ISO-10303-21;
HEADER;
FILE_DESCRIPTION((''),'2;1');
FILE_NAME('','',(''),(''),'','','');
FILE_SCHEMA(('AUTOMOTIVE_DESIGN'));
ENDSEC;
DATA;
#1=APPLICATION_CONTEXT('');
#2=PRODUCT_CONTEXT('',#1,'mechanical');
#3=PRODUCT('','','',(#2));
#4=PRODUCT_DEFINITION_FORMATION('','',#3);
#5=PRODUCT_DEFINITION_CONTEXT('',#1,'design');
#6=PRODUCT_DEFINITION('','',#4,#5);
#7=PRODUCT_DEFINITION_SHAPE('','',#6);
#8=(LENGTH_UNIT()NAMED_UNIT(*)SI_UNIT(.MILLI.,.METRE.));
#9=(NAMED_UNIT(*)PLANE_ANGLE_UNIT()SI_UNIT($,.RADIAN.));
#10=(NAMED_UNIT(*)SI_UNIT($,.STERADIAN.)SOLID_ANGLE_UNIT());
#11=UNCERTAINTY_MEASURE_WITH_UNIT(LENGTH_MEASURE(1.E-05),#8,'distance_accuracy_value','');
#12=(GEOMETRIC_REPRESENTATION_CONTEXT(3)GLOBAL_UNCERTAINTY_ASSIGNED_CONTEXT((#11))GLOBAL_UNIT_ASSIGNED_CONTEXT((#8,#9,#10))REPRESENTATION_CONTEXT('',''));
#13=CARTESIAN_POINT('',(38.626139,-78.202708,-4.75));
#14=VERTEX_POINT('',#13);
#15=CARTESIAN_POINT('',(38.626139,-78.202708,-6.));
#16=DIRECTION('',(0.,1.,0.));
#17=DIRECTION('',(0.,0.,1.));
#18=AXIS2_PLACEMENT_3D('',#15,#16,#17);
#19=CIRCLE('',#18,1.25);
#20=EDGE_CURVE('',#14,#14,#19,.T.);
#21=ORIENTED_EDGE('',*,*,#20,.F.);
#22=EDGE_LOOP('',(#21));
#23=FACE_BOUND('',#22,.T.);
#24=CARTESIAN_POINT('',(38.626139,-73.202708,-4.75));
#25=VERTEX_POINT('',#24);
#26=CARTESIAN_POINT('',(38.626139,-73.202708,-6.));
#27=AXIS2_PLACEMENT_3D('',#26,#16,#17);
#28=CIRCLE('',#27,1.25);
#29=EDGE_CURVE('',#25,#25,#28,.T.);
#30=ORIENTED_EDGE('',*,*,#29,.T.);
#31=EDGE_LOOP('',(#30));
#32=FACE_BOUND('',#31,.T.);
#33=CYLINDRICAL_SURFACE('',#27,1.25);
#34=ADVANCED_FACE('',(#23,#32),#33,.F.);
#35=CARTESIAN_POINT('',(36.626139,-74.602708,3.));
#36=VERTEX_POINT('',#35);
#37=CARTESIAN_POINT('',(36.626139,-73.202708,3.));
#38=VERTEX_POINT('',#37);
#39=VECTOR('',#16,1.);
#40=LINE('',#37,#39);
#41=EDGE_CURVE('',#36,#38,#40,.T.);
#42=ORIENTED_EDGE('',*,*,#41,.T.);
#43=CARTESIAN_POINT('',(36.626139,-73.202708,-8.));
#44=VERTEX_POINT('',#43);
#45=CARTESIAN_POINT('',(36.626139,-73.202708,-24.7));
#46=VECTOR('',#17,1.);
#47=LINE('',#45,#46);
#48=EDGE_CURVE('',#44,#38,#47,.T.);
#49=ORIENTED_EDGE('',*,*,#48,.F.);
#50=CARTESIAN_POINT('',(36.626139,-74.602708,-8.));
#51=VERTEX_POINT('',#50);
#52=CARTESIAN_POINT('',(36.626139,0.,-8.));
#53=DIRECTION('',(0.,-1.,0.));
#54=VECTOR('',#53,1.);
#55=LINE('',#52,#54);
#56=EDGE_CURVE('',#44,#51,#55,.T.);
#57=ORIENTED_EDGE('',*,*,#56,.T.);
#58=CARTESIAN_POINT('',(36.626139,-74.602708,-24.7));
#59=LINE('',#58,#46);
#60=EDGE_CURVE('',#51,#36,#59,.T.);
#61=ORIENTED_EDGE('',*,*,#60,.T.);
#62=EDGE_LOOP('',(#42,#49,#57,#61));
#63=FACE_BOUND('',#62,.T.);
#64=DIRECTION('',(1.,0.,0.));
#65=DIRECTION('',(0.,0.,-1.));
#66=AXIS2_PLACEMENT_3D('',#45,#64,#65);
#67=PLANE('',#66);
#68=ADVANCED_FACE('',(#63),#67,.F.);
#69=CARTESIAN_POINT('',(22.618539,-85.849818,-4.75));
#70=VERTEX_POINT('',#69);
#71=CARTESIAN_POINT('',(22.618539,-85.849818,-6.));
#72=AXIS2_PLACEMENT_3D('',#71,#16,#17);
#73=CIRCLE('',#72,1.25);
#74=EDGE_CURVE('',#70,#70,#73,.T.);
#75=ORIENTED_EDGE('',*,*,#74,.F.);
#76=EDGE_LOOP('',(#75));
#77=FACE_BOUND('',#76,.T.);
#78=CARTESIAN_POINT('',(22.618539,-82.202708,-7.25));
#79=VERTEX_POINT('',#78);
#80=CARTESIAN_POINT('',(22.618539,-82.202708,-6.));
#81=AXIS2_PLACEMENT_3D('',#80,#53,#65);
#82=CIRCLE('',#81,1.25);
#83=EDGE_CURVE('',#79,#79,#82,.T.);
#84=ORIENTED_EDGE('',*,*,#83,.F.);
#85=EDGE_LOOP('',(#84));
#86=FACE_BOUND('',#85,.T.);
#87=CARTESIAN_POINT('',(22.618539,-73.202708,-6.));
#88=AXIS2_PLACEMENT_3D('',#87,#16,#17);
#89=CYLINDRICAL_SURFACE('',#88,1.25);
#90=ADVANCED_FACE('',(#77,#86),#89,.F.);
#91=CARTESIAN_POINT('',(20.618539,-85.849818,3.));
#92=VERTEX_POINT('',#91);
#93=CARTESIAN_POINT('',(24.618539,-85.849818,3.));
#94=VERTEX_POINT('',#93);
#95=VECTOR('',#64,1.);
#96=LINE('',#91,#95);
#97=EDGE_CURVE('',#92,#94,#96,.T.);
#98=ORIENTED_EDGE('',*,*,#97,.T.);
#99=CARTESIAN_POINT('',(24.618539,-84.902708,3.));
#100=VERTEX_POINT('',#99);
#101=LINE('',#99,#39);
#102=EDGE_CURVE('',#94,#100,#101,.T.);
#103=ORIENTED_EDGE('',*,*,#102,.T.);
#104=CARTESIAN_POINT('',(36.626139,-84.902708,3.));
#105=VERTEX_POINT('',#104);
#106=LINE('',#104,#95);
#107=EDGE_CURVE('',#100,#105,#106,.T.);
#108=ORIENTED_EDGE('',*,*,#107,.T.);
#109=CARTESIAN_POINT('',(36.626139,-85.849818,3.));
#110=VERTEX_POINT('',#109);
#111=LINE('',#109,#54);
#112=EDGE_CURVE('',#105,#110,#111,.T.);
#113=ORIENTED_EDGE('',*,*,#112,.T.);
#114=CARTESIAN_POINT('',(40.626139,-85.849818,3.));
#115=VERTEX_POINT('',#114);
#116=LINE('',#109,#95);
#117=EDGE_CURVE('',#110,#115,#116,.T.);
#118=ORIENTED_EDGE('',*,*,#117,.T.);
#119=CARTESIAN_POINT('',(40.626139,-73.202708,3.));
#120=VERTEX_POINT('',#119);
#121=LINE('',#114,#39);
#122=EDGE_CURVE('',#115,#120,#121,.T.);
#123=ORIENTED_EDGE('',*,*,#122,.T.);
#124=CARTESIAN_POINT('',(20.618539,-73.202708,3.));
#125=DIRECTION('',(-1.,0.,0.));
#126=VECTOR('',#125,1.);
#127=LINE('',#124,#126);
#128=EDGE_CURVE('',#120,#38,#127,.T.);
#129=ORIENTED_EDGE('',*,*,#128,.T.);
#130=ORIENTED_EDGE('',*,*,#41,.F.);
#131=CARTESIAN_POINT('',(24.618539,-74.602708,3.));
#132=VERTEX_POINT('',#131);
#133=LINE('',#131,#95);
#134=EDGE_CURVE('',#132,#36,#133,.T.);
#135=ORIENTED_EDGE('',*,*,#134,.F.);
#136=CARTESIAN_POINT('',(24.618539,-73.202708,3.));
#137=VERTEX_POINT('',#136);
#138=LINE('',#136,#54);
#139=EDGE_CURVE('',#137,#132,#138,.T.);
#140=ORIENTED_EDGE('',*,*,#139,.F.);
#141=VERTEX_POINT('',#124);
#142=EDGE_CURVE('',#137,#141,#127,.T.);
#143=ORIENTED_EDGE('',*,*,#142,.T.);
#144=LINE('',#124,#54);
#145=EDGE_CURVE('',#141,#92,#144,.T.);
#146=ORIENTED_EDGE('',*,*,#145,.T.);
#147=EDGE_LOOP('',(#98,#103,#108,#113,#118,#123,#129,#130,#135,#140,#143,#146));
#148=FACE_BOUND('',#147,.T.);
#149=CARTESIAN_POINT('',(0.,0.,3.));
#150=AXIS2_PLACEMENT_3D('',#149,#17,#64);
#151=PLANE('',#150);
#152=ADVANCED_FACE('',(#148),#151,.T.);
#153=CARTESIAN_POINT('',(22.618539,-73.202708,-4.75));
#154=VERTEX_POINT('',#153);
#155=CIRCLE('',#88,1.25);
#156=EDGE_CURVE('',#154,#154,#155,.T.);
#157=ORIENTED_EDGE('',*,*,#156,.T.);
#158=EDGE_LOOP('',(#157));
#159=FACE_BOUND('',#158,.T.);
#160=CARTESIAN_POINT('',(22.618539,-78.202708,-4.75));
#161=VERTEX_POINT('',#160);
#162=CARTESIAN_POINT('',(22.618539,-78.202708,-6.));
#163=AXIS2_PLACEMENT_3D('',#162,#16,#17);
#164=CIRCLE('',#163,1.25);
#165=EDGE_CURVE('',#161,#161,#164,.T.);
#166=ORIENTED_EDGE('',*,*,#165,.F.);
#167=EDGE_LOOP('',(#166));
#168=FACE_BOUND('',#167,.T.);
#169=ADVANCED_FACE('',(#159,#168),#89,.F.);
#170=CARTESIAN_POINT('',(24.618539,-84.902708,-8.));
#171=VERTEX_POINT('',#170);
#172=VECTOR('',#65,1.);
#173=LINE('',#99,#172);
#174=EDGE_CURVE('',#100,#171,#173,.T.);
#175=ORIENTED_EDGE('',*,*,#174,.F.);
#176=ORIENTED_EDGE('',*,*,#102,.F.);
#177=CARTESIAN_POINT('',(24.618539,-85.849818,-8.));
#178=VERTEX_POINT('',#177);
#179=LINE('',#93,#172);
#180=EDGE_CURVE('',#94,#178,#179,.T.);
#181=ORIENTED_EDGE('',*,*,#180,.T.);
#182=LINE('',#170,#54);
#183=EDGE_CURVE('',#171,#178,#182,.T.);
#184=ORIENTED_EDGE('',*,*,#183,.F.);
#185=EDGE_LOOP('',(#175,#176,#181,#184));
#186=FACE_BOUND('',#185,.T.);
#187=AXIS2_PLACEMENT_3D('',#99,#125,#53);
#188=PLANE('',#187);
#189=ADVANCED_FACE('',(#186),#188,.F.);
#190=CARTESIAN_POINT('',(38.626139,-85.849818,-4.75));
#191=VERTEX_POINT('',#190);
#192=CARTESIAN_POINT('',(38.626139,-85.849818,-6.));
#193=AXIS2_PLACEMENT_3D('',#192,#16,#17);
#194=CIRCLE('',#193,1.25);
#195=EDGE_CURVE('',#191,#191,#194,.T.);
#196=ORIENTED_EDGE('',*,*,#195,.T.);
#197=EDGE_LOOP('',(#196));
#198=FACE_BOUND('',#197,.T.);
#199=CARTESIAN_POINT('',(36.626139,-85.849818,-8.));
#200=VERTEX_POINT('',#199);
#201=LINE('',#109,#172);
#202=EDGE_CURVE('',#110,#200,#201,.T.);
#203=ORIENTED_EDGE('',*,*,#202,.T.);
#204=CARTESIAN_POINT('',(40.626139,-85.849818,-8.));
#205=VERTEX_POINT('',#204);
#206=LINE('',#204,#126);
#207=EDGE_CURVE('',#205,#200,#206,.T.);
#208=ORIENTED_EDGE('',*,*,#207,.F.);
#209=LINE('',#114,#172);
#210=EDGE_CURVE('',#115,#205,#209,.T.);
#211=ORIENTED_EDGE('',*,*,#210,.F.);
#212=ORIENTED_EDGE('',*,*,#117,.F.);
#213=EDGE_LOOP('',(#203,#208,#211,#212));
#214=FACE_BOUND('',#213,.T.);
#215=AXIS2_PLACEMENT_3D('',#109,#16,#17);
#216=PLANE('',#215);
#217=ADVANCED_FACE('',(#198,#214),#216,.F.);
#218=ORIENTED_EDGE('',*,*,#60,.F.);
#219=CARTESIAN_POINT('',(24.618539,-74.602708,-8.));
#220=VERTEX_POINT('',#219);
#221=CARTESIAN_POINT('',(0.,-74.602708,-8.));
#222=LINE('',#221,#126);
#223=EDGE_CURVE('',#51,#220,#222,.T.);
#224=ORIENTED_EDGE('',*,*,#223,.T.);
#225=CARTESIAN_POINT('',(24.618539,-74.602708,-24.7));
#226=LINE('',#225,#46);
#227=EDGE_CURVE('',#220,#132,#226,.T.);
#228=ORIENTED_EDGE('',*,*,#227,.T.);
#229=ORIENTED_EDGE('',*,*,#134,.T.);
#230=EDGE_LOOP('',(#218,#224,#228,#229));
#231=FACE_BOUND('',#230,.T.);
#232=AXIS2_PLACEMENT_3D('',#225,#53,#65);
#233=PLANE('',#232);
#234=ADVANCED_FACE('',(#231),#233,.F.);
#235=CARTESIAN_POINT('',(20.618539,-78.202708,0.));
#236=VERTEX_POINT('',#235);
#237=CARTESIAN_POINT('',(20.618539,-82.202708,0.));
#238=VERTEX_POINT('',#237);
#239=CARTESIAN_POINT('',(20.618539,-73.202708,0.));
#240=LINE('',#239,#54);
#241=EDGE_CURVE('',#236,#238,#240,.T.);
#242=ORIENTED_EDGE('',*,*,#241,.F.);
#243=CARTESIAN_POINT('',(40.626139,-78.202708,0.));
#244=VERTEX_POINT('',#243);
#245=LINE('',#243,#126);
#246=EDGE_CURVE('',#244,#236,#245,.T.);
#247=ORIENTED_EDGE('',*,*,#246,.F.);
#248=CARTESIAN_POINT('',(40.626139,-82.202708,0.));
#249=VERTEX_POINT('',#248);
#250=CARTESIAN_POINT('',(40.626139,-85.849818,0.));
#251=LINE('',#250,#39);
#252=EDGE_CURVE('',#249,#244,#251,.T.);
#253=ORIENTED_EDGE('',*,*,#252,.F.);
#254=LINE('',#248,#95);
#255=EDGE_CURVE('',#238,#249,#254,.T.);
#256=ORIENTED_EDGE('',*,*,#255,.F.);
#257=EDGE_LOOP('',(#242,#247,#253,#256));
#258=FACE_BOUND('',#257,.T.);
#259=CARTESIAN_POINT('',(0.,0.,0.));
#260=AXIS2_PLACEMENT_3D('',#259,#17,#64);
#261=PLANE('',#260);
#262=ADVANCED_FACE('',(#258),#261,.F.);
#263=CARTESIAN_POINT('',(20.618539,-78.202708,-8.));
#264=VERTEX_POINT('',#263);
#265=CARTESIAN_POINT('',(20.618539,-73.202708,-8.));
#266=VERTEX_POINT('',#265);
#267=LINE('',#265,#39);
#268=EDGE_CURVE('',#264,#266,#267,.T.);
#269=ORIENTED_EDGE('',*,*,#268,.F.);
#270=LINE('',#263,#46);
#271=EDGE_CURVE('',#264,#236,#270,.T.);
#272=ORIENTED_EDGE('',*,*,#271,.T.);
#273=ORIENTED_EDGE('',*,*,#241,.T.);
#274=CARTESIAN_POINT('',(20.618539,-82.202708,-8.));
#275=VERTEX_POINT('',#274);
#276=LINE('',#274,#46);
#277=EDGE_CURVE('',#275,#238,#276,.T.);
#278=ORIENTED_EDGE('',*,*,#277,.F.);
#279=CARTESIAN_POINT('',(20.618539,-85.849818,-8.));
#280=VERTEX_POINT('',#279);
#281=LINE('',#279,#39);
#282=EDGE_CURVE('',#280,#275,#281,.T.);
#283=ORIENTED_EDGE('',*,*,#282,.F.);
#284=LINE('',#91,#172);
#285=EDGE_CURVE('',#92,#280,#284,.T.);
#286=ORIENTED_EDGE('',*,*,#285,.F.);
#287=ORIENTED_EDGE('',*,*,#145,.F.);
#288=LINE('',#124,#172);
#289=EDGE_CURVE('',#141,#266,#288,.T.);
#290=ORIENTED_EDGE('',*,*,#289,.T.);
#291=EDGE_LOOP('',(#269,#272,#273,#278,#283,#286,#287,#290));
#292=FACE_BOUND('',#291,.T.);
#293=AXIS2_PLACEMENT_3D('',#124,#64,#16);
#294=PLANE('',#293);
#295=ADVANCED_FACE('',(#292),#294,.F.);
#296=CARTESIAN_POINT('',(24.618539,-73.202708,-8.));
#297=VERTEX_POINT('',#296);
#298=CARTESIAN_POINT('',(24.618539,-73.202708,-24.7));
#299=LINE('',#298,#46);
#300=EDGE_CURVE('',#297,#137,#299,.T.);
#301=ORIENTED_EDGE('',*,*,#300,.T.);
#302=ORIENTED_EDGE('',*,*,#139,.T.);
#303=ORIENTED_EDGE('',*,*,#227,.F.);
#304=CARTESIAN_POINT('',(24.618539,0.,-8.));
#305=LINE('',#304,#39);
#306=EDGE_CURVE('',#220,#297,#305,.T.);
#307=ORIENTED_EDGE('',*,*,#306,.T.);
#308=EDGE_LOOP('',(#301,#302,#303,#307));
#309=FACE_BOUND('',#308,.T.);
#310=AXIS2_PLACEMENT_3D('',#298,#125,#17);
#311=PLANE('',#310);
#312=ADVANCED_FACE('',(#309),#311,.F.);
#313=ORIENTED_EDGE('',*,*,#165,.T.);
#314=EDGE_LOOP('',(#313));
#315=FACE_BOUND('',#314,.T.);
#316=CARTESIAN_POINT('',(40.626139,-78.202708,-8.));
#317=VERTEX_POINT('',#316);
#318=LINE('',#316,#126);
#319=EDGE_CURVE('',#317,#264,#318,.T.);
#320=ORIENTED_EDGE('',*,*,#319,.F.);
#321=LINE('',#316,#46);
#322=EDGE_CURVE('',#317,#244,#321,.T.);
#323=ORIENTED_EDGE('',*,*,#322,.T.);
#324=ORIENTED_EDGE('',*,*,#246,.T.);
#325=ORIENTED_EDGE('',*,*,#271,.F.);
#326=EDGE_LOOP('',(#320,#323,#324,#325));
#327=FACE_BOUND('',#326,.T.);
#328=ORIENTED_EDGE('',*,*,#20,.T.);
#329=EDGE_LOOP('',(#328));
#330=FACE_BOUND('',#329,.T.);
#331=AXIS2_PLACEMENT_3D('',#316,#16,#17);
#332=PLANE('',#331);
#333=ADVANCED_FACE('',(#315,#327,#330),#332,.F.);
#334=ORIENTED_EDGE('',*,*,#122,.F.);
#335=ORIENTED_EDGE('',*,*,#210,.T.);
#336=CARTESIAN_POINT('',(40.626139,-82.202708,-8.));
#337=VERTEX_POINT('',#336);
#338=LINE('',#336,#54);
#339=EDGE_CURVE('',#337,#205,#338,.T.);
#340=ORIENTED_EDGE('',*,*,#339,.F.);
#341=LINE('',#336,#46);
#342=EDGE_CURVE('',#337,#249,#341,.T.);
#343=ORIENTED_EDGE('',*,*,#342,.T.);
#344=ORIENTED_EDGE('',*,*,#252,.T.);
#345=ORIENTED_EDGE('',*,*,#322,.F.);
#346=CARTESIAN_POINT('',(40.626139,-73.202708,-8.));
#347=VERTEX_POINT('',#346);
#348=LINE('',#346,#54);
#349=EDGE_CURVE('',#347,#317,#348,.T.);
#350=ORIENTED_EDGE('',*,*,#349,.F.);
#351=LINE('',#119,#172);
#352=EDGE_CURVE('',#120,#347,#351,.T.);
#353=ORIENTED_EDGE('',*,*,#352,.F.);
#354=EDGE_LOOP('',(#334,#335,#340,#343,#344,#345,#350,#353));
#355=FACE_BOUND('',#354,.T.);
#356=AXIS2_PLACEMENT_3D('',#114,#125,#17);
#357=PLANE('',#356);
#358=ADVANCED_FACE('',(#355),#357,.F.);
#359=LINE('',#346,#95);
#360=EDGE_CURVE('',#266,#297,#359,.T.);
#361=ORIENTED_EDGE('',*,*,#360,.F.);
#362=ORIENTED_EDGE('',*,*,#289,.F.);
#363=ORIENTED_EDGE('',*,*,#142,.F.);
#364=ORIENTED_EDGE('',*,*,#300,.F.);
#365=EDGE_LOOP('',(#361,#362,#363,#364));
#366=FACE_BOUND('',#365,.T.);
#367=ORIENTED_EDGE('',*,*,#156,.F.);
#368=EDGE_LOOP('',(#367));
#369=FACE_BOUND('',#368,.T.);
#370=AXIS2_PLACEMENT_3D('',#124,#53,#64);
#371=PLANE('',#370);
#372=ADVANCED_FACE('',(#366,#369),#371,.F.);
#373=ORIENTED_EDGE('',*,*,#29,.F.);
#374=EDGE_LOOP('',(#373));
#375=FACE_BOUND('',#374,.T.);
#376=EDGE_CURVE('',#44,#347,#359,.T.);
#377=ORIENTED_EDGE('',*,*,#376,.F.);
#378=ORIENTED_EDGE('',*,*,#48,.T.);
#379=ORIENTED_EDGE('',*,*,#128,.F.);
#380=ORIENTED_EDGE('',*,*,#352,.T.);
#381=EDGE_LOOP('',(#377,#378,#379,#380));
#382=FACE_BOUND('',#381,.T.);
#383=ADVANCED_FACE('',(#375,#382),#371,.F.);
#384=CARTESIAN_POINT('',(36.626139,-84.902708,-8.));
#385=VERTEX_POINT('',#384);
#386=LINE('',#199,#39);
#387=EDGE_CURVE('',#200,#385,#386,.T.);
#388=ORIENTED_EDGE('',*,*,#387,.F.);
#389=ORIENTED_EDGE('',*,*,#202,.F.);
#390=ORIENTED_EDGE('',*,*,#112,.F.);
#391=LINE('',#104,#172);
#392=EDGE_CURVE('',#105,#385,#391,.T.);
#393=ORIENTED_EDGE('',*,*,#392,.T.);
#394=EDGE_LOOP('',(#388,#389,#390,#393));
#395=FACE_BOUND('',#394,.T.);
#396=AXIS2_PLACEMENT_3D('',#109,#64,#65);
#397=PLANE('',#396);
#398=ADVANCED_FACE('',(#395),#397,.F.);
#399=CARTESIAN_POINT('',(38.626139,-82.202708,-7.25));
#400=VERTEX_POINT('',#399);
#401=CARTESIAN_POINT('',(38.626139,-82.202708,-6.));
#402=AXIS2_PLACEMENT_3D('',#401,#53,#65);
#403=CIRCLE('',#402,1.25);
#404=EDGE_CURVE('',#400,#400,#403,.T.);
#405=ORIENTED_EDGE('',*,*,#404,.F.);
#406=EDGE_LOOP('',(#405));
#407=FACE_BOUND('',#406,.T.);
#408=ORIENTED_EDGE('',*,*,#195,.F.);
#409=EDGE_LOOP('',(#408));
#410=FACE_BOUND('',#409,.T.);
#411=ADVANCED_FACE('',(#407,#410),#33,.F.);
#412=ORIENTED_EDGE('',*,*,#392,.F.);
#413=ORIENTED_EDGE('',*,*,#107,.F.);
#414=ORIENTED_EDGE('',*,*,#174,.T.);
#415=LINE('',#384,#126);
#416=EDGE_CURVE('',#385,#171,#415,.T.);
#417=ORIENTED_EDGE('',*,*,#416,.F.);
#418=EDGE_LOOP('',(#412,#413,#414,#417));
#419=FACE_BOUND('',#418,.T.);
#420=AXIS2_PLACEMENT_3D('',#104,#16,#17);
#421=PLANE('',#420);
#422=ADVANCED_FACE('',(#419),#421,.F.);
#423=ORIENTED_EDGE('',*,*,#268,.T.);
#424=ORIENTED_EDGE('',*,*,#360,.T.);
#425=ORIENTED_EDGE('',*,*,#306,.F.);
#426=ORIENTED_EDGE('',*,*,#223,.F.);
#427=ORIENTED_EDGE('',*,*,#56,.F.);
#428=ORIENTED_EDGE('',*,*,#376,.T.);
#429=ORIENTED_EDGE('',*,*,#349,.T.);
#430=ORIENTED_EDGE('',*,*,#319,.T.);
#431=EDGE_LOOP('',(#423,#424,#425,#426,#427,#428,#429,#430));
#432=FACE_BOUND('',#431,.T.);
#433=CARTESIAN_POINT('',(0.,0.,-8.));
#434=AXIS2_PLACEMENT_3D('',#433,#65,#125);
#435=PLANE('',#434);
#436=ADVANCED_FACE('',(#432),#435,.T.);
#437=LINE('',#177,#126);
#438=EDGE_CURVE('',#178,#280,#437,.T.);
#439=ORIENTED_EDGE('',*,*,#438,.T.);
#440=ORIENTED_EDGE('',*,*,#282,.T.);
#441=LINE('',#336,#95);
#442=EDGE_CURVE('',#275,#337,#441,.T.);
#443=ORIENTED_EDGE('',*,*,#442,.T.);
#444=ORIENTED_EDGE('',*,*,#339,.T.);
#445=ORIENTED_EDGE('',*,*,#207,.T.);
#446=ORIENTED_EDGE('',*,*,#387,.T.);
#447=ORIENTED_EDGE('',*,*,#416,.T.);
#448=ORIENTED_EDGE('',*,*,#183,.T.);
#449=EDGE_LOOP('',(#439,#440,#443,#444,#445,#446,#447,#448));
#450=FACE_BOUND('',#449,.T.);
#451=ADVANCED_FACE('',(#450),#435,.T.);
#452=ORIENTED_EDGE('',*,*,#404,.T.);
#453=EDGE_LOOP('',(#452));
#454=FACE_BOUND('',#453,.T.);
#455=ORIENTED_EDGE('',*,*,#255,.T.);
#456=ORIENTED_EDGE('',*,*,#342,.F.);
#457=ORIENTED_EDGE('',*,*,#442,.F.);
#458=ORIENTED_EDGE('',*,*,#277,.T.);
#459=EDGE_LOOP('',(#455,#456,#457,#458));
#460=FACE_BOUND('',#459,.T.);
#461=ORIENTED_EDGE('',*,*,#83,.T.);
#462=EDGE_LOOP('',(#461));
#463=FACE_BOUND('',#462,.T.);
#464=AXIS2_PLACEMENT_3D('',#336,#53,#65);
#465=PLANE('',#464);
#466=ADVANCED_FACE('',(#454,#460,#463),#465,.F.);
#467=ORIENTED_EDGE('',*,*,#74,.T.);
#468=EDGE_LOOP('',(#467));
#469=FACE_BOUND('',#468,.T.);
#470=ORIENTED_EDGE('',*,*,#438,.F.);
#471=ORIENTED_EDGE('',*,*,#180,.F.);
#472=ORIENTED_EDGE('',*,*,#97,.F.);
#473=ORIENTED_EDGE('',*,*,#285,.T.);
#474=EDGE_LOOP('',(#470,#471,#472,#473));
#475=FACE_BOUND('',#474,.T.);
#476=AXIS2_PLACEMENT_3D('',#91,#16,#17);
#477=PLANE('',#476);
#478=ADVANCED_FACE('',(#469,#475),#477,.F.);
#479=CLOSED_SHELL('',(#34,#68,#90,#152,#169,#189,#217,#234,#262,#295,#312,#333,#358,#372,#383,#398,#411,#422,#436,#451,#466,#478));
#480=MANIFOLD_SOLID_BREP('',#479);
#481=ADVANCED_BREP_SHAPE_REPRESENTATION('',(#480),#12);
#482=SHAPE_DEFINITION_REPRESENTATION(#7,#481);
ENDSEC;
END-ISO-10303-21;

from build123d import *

# Parameters (mm, degrees)
BOSS_EXTRUDE1_DEPTH         = 3
SKETCH2_W                   = 20.0076
SKETCH2_H                   = 4.999999987
BOSS_EXTRUDE2_DEPTH         = 8
BOSS_EXTRUDE3_DEPTH         = 8
SKETCH4_W                   = 12.0076
SKETCH4_H                   = 1.4
CUT_EXTRUDE1_DEPTH          = 27.7
TAP_DRILL_FOR_M3_TAP1_D     = 2.5
TAP_DRILL_FOR_M3_TAP1_DEPTH = 15.5
TAP_DRILL_FOR_M3_TAP1_TIP   = 0.751075774


with BuildPart() as part:
    # Sketch1 → Boss-Extrude1 (new body)
    with BuildSketch(Plane.XY):
        Polygon((24.618539046, -84.902707764), (24.618539046, -85.849818272), (20.618539046, -85.849818272), (20.618539046, -73.202707764), (40.626139046, -73.202707764), (40.626139046, -85.849818272), (36.626139046, -85.849818272), (36.626139046, -84.902707764), align=None)
    extrude(amount=BOSS_EXTRUDE1_DEPTH)

    # Sketch2 → Boss-Extrude2 (add)
    with BuildSketch(Plane(origin=(0, 0, 0), x_dir=(-1, 0, 0), z_dir=(0, 0, -1))):
        with Locations((-30.622339046, -75.702707758)):
            Rectangle(SKETCH2_W, SKETCH2_H)
    extrude(amount=BOSS_EXTRUDE2_DEPTH)

    # Sketch3 → Boss-Extrude3 (add)
    with BuildSketch(Plane(origin=(0, 0, 0), x_dir=(-1, 0, 0), z_dir=(0, 0, -1))):
        Polygon((-40.626139046, -82.202707751), (-40.626139046, -85.849818272), (-36.626139046, -85.849818272), (-36.626139046, -84.902707764), (-24.618539046, -84.902707764), (-24.618539046, -85.849818272), (-20.618539046, -85.849818272), (-20.618539046, -82.202707751), align=None)
    extrude(amount=BOSS_EXTRUDE3_DEPTH)

    # Sketch4 → Cut-Extrude1 (cut)
    with BuildSketch(Plane.XY.offset(3)):
        with Locations((30.622339046, -73.902707764)):
            Rectangle(SKETCH4_W, SKETCH4_H)
    extrude(amount=-CUT_EXTRUDE1_DEPTH, mode=Mode.SUBTRACT)

    # Tap Drill for M3 Tap1
    with Locations(Plane(origin=(0, -73.202707764, 0), x_dir=(1, 0, 0), z_dir=(0, 1, 0))):
        with Locations((22.618539046, 6), (38.626139046, 6)):
            Hole(TAP_DRILL_FOR_M3_TAP1_D / 2, depth=TAP_DRILL_FOR_M3_TAP1_DEPTH)
            with Locations((0, 0, -(TAP_DRILL_FOR_M3_TAP1_DEPTH + TAP_DRILL_FOR_M3_TAP1_TIP / 2))):  # 118° drill point
                Cone(0, TAP_DRILL_FOR_M3_TAP1_D / 2, TAP_DRILL_FOR_M3_TAP1_TIP, mode=Mode.SUBTRACT)


solid = part.part
